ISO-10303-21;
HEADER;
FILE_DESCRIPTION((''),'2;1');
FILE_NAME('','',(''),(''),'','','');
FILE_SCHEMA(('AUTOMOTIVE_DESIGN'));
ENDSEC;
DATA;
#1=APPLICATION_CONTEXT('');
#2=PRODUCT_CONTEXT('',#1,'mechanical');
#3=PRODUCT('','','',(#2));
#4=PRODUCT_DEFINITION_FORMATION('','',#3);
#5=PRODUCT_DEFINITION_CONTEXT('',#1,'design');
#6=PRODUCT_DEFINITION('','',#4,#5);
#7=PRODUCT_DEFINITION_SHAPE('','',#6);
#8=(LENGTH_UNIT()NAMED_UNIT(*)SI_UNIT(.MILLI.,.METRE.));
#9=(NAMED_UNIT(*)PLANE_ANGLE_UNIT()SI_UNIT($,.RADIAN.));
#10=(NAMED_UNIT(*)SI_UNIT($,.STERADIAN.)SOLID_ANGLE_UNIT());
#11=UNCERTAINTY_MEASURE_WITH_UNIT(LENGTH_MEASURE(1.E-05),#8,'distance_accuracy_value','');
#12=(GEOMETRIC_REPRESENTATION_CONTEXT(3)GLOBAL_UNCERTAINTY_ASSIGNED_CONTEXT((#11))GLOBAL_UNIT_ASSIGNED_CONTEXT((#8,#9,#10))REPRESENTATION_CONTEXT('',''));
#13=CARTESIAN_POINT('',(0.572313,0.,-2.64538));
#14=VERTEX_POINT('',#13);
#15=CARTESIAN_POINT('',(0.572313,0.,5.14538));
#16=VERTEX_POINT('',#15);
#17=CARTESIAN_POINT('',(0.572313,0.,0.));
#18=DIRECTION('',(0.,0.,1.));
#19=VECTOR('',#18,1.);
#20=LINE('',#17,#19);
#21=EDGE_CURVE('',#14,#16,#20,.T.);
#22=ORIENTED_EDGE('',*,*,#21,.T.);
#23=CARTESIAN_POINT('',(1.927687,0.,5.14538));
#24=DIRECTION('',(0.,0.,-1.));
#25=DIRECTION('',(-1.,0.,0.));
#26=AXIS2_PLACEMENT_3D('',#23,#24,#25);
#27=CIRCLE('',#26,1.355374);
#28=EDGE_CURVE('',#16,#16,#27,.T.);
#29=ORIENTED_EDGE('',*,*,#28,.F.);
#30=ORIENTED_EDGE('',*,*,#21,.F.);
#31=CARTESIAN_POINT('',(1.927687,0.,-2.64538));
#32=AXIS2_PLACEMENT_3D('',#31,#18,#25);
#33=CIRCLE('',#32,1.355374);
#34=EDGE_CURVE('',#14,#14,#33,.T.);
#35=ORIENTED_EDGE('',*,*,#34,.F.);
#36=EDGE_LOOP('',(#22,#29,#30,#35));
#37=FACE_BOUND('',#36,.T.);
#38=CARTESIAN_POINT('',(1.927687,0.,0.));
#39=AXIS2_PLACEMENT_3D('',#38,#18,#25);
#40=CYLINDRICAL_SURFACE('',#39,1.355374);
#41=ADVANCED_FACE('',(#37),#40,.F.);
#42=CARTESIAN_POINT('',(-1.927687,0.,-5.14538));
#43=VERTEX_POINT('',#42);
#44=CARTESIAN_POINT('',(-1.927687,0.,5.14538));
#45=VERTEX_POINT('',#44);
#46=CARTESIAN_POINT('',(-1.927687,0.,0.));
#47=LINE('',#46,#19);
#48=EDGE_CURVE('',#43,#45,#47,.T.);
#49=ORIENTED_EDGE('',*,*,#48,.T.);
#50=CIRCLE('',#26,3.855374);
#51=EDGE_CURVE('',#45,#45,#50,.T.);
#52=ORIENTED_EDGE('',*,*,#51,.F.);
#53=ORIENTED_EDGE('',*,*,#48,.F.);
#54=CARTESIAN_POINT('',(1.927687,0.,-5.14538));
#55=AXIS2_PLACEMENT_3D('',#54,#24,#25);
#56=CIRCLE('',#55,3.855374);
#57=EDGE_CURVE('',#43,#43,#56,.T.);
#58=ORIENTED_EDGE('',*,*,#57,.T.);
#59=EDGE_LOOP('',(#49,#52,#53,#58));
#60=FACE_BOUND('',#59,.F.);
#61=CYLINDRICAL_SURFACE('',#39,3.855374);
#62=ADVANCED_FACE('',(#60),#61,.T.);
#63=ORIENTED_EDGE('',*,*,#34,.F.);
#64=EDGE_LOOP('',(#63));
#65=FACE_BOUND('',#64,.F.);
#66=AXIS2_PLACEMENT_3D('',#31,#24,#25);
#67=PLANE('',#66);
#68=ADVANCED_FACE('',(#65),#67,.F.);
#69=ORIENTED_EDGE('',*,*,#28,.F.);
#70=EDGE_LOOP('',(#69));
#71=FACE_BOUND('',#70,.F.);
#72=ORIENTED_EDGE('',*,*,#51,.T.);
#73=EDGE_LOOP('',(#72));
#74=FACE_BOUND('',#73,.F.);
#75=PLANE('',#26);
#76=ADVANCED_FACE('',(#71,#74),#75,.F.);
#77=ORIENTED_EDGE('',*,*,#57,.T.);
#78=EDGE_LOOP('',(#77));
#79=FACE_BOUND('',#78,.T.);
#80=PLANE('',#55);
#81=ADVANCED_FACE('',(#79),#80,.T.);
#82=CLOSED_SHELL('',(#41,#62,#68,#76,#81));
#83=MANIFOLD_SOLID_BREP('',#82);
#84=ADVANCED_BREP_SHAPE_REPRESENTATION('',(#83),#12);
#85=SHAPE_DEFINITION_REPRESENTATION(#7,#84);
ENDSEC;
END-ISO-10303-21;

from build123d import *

# Parameters (mm, degrees)
F0_W = 3.855374
F0_H = 10.29076
F2_T = -2.5


with BuildPart() as f1:
    # F0 (on Front) → F1 (revolve)
    with BuildSketch(Plane.XZ):
        Rectangle(F0_W, F0_H)
    revolve(axis=Axis((1.927687, 0, 0), (0, 0, -1)))

    # F2
    f2_openings = [f1.faces().sort_by_distance(p)[0] for p in [
        (1.927687, 0, 5.14538),
    ]]
    offset(amount=F2_T, openings=f2_openings)


solid = f1.part
